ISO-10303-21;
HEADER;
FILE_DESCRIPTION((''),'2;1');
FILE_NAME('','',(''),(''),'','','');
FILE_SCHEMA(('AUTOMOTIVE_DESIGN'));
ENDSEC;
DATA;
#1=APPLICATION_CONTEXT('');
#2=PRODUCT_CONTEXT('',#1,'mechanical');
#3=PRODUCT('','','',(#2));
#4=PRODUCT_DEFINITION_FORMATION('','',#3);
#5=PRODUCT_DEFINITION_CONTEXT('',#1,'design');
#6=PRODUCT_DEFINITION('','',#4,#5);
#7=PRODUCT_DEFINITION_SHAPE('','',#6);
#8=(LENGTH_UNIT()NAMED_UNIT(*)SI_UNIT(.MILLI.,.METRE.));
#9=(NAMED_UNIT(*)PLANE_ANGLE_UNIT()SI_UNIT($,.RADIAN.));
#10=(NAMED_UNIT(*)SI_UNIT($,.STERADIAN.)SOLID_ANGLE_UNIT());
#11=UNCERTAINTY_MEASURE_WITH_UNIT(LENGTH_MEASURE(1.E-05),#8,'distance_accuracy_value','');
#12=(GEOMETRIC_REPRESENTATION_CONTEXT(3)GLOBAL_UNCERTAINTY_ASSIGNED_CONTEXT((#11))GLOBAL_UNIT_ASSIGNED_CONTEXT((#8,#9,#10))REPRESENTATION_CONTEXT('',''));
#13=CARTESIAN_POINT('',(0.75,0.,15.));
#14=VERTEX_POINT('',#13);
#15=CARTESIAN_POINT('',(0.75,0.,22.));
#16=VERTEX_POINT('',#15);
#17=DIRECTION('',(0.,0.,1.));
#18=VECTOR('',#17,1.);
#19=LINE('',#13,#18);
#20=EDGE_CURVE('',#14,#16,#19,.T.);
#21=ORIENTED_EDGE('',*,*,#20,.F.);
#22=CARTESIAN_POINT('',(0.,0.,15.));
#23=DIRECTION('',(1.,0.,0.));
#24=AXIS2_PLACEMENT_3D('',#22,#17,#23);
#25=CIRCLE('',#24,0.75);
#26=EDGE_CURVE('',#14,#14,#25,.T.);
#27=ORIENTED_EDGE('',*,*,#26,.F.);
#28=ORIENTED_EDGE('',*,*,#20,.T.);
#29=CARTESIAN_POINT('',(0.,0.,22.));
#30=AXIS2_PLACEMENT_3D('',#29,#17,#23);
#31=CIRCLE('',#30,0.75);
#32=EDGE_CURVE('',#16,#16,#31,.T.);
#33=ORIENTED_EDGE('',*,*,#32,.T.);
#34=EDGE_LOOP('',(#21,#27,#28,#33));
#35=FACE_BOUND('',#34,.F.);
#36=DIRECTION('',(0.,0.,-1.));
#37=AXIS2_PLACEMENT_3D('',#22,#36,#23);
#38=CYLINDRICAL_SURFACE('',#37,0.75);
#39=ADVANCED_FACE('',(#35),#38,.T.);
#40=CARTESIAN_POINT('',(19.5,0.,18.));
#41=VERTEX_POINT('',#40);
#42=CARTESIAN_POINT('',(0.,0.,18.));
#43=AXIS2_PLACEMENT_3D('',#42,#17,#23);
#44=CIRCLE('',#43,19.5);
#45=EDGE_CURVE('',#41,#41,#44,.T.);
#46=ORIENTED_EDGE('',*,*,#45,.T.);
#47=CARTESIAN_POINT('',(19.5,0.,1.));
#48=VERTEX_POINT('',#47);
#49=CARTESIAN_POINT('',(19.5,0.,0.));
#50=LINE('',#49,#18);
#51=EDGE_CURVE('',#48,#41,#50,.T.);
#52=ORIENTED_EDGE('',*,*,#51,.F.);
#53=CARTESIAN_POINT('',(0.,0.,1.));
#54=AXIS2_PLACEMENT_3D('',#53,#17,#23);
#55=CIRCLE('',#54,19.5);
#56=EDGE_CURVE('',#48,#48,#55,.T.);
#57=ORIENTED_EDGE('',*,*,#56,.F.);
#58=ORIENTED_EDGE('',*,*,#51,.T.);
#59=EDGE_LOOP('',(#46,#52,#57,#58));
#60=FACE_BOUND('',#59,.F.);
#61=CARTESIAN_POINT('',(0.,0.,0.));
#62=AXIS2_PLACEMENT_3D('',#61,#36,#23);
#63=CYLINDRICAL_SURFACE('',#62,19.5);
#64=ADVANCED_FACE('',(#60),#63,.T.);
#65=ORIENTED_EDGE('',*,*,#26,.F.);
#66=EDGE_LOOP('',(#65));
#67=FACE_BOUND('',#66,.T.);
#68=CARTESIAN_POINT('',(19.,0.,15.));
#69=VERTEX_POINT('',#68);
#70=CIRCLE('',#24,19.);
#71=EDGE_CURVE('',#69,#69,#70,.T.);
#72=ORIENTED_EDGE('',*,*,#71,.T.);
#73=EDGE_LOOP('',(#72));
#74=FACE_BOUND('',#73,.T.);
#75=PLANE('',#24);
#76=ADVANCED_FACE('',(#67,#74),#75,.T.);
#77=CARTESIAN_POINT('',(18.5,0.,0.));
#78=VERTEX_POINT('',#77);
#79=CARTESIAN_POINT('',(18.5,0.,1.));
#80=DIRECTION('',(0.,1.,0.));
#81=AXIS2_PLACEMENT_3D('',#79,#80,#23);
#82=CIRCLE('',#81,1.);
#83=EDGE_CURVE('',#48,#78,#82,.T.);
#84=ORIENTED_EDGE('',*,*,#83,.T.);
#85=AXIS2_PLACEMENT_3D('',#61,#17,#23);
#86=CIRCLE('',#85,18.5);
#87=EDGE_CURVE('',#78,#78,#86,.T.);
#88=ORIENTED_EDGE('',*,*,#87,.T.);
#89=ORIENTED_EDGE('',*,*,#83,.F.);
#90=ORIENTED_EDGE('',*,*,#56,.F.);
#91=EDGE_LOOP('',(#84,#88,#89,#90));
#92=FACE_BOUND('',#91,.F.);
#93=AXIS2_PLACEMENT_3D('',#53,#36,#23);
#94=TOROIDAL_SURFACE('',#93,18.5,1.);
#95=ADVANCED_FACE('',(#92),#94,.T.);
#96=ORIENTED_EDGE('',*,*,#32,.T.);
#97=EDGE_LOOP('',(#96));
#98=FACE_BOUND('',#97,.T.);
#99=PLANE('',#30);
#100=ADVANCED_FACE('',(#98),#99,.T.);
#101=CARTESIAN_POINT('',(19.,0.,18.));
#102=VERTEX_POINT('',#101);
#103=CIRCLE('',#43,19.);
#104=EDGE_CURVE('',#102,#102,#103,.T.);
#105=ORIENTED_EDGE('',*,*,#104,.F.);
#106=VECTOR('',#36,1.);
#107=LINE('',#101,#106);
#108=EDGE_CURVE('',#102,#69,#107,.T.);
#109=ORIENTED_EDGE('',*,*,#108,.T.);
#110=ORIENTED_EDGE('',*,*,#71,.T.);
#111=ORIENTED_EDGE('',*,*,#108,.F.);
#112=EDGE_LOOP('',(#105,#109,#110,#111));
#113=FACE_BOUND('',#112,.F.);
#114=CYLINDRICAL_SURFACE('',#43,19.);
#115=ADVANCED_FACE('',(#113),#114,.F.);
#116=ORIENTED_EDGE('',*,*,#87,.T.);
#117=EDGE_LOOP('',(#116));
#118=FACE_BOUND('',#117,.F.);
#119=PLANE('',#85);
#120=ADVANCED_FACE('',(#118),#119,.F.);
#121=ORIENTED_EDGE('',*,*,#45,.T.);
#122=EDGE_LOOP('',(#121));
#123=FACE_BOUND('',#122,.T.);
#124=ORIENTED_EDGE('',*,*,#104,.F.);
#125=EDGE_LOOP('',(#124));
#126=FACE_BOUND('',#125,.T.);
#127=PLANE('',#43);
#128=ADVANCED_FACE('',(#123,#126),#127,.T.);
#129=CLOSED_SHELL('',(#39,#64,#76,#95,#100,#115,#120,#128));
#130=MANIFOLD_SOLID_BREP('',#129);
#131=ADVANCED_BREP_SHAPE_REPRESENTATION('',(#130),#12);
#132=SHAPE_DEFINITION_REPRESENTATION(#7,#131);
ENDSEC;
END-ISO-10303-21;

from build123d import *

# Parameters (mm, degrees)
F0_R     = 19.5
F1_DEPTH = 18
F2_R     = 19
F3_DEPTH = 3
F4_R     = 0.75
F5_DEPTH = 7
F6_R     = 1


with BuildPart() as f1:
    # F0 (on Top) → F1 (new body)
    with BuildSketch(Plane.XY):
        Circle(F0_R)
    extrude(amount=F1_DEPTH)

    # F2 (on face) → F3 (cut)
    with BuildSketch(Plane.XY.offset(18)):
        Circle(F2_R)
    extrude(amount=-F3_DEPTH, mode=Mode.SUBTRACT)

    # F4 (on face) → F5 (join)
    with BuildSketch(Plane.XY.offset(15)):
        Circle(F4_R)
    extrude(amount=F5_DEPTH)

    # F6
    f6_edges = [f1.edges().sort_by_distance(p)[0] for p in [
        (-19.5, 0, 0),
    ]]
    fillet(f6_edges, radius=F6_R)


solid = f1.part
